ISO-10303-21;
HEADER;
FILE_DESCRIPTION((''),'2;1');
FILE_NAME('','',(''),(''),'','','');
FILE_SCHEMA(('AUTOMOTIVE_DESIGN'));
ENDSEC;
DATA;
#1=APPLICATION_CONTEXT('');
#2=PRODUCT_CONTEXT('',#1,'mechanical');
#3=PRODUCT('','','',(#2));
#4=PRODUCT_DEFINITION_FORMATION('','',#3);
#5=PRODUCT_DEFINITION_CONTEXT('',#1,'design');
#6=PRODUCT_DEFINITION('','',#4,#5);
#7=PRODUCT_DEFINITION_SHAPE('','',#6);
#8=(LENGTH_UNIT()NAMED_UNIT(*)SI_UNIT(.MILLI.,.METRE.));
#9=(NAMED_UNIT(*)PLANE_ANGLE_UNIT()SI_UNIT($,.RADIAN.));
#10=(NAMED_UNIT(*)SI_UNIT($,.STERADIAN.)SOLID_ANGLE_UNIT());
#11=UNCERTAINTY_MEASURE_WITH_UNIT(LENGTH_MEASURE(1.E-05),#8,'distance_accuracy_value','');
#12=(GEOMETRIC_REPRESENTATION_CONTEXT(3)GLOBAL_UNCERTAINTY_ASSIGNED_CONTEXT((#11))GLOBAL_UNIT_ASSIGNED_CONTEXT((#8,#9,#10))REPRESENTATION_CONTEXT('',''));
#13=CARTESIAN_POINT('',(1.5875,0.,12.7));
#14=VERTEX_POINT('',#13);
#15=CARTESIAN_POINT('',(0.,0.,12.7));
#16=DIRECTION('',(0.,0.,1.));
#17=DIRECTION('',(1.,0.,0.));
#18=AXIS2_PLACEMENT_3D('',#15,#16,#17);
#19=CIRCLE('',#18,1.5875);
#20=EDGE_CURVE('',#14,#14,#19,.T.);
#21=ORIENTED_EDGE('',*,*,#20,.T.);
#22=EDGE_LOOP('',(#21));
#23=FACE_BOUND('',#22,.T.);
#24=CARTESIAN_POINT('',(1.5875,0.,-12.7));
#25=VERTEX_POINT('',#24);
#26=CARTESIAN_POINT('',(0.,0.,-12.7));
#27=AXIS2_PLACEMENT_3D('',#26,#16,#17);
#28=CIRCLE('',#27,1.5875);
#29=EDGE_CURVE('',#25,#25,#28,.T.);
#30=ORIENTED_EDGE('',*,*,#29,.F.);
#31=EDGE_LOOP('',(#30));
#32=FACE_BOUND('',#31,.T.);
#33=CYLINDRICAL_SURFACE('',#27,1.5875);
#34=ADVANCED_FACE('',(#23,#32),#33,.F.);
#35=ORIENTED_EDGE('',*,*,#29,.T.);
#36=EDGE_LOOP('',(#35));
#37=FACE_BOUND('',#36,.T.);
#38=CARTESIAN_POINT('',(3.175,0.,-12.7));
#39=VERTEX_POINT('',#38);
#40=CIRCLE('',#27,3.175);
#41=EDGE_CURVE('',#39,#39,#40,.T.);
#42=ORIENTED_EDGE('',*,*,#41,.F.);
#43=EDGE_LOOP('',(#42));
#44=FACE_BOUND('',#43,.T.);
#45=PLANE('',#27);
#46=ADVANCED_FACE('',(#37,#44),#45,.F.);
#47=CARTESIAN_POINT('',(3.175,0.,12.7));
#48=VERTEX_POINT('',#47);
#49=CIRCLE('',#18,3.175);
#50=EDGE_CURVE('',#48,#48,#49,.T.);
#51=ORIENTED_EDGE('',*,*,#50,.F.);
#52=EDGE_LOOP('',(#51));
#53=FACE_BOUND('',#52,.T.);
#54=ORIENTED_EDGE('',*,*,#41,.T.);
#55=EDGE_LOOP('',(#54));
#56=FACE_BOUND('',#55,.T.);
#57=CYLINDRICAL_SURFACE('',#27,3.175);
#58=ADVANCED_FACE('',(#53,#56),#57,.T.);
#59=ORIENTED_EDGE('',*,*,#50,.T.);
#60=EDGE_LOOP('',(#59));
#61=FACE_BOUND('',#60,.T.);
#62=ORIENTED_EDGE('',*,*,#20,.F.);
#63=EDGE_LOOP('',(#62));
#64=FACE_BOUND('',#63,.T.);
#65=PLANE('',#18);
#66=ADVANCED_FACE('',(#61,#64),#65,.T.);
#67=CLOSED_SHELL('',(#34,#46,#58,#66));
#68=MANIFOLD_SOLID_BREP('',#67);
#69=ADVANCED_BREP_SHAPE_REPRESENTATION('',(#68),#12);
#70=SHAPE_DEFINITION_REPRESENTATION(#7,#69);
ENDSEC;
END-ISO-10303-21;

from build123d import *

# Parameters (mm, degrees)
BOSS_EXTRUDE1_DEPTH      = 12.7
BOSS_EXTRUDE1_DEPTH_BACK = 12.7
SKETCH1_R                = 3.175
SKETCH2_R                = 1.5875
CUT_EXTRUDE1_DEPTH       = 26.793821935


with BuildPart() as part:
    # Sketch1 → Boss-Extrude1 (new, two sides: drawn at the far end of the back side and taken through both)
    with BuildSketch(Plane.XY.offset(-BOSS_EXTRUDE1_DEPTH_BACK)):
        Circle(SKETCH1_R)
    extrude(amount=BOSS_EXTRUDE1_DEPTH + BOSS_EXTRUDE1_DEPTH_BACK)

    # Sketch2 → Cut-Extrude1 (cut, through all)
    with BuildSketch(Plane.XY.offset(12.7)):
        Circle(SKETCH2_R)
    extrude(amount=-CUT_EXTRUDE1_DEPTH, mode=Mode.SUBTRACT)


solid = part.part
